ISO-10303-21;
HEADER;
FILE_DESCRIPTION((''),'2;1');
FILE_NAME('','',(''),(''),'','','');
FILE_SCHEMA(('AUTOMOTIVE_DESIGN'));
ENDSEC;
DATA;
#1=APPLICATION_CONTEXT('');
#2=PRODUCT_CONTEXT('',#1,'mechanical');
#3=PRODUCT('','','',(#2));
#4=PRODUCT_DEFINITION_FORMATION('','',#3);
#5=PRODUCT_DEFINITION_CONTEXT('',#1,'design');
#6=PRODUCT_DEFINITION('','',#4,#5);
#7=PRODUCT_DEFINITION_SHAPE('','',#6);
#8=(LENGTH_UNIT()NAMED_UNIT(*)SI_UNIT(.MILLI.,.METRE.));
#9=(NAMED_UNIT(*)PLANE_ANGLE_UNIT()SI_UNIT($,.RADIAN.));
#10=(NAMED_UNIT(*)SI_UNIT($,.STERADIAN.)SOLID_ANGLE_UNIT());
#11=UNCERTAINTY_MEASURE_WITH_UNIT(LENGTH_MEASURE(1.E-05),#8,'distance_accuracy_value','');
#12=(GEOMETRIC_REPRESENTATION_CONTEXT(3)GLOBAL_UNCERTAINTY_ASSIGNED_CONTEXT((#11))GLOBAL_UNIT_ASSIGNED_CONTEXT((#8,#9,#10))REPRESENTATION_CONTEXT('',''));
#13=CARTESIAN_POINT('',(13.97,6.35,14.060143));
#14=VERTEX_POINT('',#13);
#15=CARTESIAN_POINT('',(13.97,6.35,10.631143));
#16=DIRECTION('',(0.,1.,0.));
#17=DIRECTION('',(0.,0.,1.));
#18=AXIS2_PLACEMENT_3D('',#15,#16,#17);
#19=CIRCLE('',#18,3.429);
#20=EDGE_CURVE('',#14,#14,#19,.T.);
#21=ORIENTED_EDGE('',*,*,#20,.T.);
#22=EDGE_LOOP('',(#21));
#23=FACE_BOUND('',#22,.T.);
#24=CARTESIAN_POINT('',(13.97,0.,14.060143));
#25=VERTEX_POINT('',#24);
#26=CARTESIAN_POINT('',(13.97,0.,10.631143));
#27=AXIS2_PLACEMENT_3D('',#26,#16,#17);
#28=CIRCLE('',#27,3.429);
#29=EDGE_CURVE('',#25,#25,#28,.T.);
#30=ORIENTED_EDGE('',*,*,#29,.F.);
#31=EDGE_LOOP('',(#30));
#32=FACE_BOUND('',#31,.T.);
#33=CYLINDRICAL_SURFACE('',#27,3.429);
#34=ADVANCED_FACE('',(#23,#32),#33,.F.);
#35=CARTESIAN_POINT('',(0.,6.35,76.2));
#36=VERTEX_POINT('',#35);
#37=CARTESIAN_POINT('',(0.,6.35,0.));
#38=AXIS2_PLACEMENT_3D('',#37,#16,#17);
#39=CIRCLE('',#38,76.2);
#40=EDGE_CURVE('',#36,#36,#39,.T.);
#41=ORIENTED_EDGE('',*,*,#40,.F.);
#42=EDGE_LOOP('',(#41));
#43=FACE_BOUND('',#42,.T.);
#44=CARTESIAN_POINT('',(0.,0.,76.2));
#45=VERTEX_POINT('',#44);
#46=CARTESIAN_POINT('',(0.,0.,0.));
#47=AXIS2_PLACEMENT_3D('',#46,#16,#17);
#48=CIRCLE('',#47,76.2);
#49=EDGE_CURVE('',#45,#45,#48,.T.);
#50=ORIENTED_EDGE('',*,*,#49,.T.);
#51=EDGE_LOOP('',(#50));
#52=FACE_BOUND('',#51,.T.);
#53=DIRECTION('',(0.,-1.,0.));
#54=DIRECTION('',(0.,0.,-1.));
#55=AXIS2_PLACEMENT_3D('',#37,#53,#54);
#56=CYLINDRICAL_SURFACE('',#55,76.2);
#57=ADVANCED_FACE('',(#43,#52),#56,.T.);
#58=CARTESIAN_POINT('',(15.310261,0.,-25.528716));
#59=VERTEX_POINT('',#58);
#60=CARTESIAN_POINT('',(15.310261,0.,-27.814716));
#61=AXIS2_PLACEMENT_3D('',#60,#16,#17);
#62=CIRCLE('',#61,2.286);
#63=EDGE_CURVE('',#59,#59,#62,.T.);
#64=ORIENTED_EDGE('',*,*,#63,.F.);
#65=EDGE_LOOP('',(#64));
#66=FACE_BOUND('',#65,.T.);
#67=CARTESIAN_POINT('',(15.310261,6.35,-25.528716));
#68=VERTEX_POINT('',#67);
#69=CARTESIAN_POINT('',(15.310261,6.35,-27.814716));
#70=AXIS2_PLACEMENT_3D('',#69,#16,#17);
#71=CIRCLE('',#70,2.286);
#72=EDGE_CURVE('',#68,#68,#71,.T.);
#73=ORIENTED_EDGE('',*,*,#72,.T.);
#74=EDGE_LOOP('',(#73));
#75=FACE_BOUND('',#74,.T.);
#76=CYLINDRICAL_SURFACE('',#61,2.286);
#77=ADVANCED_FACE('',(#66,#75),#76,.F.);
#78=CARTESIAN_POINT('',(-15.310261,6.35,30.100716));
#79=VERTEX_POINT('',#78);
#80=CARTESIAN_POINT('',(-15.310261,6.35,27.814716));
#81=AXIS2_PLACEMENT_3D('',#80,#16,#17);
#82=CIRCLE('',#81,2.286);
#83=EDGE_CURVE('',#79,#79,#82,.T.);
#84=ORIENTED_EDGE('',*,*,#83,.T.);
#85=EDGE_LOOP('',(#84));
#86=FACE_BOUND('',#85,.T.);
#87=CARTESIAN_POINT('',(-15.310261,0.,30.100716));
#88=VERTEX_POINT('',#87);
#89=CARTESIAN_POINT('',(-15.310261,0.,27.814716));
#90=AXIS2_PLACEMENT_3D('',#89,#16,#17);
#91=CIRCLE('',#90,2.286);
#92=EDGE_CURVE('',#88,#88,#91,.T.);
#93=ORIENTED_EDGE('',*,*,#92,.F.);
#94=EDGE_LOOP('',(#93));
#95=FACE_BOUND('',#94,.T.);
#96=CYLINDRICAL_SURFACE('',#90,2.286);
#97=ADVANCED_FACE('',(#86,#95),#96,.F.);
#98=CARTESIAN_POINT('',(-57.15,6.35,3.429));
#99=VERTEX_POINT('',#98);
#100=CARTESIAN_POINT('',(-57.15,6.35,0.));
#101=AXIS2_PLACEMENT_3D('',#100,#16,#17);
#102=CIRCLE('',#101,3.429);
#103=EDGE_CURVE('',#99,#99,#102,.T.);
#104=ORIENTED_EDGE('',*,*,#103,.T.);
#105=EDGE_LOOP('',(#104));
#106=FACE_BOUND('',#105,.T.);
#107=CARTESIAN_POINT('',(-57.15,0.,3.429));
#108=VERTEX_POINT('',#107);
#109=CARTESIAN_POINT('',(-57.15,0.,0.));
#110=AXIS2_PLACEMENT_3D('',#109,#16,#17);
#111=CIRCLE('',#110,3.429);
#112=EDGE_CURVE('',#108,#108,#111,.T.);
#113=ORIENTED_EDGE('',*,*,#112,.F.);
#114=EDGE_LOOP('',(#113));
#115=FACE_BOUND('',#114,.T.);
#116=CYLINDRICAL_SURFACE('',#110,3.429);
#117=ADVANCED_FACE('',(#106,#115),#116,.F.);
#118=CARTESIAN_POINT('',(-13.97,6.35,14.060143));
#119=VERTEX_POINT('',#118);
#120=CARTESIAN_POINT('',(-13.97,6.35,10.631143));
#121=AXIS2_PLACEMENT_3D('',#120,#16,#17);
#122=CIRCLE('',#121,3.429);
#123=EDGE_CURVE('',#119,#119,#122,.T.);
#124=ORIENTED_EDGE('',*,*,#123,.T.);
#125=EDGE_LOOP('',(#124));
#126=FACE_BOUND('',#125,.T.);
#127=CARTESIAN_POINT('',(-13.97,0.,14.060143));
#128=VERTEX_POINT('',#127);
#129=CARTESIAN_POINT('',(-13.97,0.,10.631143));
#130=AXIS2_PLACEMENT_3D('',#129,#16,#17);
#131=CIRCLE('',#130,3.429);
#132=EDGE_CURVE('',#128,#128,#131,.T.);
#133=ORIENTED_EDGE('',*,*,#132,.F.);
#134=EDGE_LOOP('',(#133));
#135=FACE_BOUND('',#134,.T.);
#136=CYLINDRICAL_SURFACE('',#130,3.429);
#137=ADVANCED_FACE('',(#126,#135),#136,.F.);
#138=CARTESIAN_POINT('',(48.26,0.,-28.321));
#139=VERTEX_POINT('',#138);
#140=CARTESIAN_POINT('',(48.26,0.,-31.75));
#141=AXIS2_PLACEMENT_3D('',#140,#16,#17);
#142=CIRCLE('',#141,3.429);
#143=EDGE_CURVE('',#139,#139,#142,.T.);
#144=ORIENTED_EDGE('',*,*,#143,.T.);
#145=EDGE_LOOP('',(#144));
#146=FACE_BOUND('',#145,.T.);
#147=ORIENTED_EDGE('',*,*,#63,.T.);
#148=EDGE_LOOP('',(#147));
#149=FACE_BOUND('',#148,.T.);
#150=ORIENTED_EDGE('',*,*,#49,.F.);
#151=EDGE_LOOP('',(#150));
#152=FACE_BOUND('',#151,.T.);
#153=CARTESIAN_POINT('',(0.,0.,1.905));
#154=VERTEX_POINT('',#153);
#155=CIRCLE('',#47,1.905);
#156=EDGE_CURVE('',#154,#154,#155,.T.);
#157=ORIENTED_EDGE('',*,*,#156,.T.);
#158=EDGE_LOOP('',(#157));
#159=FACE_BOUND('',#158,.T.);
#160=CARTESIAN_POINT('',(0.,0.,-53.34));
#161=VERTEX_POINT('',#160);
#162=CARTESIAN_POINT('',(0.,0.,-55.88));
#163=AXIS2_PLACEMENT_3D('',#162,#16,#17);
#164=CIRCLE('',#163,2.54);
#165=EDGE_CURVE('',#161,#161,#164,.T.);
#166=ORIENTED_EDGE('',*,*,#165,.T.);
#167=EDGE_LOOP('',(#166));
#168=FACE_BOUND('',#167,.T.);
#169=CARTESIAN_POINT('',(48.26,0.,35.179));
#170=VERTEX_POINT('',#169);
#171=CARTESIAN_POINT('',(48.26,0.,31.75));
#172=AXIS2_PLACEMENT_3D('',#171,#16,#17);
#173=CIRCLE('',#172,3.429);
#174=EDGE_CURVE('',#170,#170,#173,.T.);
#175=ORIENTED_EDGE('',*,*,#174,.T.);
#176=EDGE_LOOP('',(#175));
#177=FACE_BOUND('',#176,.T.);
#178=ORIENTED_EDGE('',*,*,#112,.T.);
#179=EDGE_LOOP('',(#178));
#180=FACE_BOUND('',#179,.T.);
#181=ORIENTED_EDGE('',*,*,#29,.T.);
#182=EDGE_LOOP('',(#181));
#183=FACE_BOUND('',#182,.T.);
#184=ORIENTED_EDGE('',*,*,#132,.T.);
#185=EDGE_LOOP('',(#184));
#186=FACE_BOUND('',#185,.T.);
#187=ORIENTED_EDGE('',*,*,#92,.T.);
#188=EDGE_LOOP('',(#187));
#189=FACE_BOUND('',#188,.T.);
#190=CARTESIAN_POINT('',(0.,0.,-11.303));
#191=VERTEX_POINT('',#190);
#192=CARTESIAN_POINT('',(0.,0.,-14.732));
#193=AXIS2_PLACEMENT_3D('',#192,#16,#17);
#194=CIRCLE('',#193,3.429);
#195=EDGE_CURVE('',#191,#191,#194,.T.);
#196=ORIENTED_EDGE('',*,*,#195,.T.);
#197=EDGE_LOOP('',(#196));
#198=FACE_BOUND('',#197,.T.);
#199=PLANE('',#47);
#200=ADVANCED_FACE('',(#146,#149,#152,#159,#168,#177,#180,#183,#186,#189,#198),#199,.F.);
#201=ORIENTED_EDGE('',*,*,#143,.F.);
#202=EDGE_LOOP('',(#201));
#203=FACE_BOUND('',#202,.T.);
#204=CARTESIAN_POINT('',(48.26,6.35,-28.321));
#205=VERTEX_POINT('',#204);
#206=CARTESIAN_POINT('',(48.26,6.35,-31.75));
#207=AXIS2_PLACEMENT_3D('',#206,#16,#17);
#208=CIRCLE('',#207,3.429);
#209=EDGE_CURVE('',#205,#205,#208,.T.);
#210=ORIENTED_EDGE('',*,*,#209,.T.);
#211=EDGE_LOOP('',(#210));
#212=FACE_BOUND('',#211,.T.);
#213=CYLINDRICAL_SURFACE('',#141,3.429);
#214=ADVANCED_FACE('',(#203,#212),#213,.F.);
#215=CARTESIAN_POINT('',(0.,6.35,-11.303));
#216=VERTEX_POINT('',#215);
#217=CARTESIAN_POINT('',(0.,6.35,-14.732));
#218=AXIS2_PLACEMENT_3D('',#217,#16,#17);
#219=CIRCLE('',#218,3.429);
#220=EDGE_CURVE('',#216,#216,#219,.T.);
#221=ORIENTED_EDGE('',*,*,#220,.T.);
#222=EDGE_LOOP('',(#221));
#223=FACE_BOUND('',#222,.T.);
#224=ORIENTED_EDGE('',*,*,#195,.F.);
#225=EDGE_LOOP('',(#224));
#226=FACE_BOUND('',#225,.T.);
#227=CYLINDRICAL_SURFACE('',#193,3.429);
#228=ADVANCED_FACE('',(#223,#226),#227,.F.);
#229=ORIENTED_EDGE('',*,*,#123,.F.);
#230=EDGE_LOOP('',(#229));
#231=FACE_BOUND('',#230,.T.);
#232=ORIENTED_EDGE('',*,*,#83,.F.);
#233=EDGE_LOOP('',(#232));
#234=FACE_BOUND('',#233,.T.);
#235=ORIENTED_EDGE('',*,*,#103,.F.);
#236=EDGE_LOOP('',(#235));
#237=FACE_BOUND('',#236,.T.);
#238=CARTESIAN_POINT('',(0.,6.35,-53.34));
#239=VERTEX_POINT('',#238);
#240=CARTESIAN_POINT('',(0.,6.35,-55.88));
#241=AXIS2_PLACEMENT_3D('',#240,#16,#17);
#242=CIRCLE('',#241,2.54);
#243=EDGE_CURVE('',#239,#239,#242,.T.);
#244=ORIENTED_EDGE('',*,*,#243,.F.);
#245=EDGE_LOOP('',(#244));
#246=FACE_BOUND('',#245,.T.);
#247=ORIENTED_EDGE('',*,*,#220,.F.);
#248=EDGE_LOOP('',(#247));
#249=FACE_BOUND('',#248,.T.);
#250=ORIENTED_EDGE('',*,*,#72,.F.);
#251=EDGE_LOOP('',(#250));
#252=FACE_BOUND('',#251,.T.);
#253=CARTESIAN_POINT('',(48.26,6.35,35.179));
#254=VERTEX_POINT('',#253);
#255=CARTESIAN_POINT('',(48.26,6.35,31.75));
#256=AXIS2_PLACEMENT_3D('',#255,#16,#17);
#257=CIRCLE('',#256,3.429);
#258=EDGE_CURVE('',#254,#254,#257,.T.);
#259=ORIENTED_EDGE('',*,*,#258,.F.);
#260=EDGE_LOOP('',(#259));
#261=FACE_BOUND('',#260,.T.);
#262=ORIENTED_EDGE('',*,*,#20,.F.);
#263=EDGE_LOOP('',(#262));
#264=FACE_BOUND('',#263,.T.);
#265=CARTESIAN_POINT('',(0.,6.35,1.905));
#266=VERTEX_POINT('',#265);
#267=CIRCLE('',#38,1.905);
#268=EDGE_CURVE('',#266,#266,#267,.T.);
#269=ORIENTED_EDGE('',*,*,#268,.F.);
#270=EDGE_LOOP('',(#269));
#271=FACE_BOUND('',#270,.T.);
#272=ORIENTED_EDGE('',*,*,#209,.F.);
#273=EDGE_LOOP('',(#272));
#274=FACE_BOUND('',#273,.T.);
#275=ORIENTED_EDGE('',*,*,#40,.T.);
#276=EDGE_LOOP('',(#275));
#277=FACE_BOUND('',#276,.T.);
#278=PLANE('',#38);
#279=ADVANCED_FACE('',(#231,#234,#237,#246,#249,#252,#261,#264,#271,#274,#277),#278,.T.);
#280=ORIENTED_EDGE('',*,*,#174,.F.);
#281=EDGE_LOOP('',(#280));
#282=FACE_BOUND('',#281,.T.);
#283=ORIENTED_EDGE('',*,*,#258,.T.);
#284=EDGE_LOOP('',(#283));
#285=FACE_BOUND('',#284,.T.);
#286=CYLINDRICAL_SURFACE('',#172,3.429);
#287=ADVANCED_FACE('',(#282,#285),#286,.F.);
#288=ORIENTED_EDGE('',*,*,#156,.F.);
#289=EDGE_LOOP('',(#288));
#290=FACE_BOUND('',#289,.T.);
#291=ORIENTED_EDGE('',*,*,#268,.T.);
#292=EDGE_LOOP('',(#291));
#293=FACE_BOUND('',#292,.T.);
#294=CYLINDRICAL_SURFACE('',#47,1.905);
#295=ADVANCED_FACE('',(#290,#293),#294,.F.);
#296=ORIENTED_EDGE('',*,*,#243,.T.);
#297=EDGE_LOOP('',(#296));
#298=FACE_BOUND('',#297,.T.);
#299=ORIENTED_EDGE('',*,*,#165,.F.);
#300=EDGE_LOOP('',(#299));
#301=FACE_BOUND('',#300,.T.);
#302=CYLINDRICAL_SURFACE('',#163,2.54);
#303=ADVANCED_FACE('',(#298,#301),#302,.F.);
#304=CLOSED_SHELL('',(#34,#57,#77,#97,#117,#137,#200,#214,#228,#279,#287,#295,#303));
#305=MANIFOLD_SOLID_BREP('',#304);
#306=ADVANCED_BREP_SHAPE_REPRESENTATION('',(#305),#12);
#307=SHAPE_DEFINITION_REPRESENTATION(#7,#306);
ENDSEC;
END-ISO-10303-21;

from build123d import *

# Parameters (mm, degrees)
SKETCH1_R           = 76.2
BOSS_EXTRUDE1_DEPTH = 6.35
SKETCH2_R           = 1.905
CUT_EXTRUDE1_DEPTH  = 108.95
SKETCH3_R           = 3.429
CUT_EXTRUDE2_DEPTH  = 108.95
SKETCH4_R           = 3.429
CUT_EXTRUDE3_DEPTH  = 108.95
SKETCH5_R           = 2.54
CUT_EXTRUDE4_DEPTH  = 108.95
CUT_EXTRUDE5_DEPTH  = 108.95


with BuildPart() as part:
    # Sketch1 → Boss-Extrude1 (new body)
    with BuildSketch(Plane(origin=(0, 0, 0), x_dir=(1, 0, 0), z_dir=(0, 1, 0))):
        with Locations(Location((0, 0, 0), (0, 0, 270))):
            Circle(SKETCH1_R)
    extrude(amount=BOSS_EXTRUDE1_DEPTH)

    # Sketch2 → Cut-Extrude1 (cut, through all)
    with BuildSketch(Plane(origin=(0, 6.35, 0), x_dir=(1, 0, 0), z_dir=(0, 1, 0))):
        with Locations(Location((0, 0, 0), (0, 0, 270))):
            Circle(SKETCH2_R)
    extrude(amount=-CUT_EXTRUDE1_DEPTH, mode=Mode.SUBTRACT)

    # Sketch3 → Cut-Extrude2 (cut, through all)
    with BuildSketch(Plane(origin=(0, 6.35, 0), x_dir=(1, 0, 0), z_dir=(0, 1, 0))):
        with Locations(Location((0, 14.732, 0), (0, 0, 270))):
            Circle(SKETCH3_R)
        with Locations(Location((-13.97, -10.631143259, 0), (0, 0, 270))):
            Circle(SKETCH3_R)
        with Locations(Location((13.97, -10.631143259, 0), (0, 0, 270))):
            Circle(SKETCH3_R)
    extrude(amount=-CUT_EXTRUDE2_DEPTH, mode=Mode.SUBTRACT)

    # Sketch4 → Cut-Extrude3 (cut, through all)
    with BuildSketch(Plane(origin=(0, 6.35, 0), x_dir=(1, 0, 0), z_dir=(0, 1, 0))):
        with Locations(Location((-57.15, 0, 0), (0, 0, 270))):
            Circle(SKETCH4_R)
        with Locations(Location((48.26, 31.75, 0), (0, 0, 270))):
            Circle(SKETCH4_R)
        with Locations(Location((48.26, -31.75, 0), (0, 0, 270))):
            Circle(SKETCH4_R)
    extrude(amount=-CUT_EXTRUDE3_DEPTH, mode=Mode.SUBTRACT)

    # Sketch5 → Cut-Extrude4 (cut, through all)
    with BuildSketch(Plane(origin=(0, 6.35, 0), x_dir=(1, 0, 0), z_dir=(0, 1, 0))):
        with Locations(Location((0, 55.88, 0), (0, 0, 270))):
            Circle(SKETCH5_R)
    extrude(amount=-CUT_EXTRUDE4_DEPTH, mode=Mode.SUBTRACT)

    # Sketch6 → Cut-Extrude5 (cut, through all)
    with BuildSketch(Plane(origin=(0, 6.35, 0), x_dir=(1, 0, 0), z_dir=(0, 1, 0))):
        with BuildLine():
            ThreePointArc((-13.024260998, -27.814715677), (-13.342299809, -26.651562737), (-14.207922206, -25.812056148))
            Line((-14.207922206, -25.812056148), (-16.412599789, -29.817375206))
            ThreePointArc((-16.412599789, -29.817375206), (-14.147108058, -29.782676865), (-13.024260998, -27.814715677))
        make_face()
        with BuildLine():
            Line((-16.412599789, -29.817375206), (-14.207922206, -25.812056148))
            ThreePointArc((-14.207922206, -25.812056148), (-17.312920526, -26.712376885), (-16.412599789, -29.817375206))
        make_face()
        with BuildLine():
            ThreePointArc((17.596260998, 27.814715677), (17.278222186, 28.977868616), (16.412599789, 29.817375206))
            Line((16.412599789, 29.817375206), (14.207922206, 25.812056148))
            ThreePointArc((14.207922206, 25.812056148), (16.473413937, 25.846754488), (17.596260998, 27.814715677))
        make_face()
        with BuildLine():
            Line((14.207922206, 25.812056148), (16.412599789, 29.817375206))
            ThreePointArc((16.412599789, 29.817375206), (13.307601469, 28.917054469), (14.207922206, 25.812056148))
        make_face()
    extrude(amount=-CUT_EXTRUDE5_DEPTH, mode=Mode.SUBTRACT)


solid = part.part
